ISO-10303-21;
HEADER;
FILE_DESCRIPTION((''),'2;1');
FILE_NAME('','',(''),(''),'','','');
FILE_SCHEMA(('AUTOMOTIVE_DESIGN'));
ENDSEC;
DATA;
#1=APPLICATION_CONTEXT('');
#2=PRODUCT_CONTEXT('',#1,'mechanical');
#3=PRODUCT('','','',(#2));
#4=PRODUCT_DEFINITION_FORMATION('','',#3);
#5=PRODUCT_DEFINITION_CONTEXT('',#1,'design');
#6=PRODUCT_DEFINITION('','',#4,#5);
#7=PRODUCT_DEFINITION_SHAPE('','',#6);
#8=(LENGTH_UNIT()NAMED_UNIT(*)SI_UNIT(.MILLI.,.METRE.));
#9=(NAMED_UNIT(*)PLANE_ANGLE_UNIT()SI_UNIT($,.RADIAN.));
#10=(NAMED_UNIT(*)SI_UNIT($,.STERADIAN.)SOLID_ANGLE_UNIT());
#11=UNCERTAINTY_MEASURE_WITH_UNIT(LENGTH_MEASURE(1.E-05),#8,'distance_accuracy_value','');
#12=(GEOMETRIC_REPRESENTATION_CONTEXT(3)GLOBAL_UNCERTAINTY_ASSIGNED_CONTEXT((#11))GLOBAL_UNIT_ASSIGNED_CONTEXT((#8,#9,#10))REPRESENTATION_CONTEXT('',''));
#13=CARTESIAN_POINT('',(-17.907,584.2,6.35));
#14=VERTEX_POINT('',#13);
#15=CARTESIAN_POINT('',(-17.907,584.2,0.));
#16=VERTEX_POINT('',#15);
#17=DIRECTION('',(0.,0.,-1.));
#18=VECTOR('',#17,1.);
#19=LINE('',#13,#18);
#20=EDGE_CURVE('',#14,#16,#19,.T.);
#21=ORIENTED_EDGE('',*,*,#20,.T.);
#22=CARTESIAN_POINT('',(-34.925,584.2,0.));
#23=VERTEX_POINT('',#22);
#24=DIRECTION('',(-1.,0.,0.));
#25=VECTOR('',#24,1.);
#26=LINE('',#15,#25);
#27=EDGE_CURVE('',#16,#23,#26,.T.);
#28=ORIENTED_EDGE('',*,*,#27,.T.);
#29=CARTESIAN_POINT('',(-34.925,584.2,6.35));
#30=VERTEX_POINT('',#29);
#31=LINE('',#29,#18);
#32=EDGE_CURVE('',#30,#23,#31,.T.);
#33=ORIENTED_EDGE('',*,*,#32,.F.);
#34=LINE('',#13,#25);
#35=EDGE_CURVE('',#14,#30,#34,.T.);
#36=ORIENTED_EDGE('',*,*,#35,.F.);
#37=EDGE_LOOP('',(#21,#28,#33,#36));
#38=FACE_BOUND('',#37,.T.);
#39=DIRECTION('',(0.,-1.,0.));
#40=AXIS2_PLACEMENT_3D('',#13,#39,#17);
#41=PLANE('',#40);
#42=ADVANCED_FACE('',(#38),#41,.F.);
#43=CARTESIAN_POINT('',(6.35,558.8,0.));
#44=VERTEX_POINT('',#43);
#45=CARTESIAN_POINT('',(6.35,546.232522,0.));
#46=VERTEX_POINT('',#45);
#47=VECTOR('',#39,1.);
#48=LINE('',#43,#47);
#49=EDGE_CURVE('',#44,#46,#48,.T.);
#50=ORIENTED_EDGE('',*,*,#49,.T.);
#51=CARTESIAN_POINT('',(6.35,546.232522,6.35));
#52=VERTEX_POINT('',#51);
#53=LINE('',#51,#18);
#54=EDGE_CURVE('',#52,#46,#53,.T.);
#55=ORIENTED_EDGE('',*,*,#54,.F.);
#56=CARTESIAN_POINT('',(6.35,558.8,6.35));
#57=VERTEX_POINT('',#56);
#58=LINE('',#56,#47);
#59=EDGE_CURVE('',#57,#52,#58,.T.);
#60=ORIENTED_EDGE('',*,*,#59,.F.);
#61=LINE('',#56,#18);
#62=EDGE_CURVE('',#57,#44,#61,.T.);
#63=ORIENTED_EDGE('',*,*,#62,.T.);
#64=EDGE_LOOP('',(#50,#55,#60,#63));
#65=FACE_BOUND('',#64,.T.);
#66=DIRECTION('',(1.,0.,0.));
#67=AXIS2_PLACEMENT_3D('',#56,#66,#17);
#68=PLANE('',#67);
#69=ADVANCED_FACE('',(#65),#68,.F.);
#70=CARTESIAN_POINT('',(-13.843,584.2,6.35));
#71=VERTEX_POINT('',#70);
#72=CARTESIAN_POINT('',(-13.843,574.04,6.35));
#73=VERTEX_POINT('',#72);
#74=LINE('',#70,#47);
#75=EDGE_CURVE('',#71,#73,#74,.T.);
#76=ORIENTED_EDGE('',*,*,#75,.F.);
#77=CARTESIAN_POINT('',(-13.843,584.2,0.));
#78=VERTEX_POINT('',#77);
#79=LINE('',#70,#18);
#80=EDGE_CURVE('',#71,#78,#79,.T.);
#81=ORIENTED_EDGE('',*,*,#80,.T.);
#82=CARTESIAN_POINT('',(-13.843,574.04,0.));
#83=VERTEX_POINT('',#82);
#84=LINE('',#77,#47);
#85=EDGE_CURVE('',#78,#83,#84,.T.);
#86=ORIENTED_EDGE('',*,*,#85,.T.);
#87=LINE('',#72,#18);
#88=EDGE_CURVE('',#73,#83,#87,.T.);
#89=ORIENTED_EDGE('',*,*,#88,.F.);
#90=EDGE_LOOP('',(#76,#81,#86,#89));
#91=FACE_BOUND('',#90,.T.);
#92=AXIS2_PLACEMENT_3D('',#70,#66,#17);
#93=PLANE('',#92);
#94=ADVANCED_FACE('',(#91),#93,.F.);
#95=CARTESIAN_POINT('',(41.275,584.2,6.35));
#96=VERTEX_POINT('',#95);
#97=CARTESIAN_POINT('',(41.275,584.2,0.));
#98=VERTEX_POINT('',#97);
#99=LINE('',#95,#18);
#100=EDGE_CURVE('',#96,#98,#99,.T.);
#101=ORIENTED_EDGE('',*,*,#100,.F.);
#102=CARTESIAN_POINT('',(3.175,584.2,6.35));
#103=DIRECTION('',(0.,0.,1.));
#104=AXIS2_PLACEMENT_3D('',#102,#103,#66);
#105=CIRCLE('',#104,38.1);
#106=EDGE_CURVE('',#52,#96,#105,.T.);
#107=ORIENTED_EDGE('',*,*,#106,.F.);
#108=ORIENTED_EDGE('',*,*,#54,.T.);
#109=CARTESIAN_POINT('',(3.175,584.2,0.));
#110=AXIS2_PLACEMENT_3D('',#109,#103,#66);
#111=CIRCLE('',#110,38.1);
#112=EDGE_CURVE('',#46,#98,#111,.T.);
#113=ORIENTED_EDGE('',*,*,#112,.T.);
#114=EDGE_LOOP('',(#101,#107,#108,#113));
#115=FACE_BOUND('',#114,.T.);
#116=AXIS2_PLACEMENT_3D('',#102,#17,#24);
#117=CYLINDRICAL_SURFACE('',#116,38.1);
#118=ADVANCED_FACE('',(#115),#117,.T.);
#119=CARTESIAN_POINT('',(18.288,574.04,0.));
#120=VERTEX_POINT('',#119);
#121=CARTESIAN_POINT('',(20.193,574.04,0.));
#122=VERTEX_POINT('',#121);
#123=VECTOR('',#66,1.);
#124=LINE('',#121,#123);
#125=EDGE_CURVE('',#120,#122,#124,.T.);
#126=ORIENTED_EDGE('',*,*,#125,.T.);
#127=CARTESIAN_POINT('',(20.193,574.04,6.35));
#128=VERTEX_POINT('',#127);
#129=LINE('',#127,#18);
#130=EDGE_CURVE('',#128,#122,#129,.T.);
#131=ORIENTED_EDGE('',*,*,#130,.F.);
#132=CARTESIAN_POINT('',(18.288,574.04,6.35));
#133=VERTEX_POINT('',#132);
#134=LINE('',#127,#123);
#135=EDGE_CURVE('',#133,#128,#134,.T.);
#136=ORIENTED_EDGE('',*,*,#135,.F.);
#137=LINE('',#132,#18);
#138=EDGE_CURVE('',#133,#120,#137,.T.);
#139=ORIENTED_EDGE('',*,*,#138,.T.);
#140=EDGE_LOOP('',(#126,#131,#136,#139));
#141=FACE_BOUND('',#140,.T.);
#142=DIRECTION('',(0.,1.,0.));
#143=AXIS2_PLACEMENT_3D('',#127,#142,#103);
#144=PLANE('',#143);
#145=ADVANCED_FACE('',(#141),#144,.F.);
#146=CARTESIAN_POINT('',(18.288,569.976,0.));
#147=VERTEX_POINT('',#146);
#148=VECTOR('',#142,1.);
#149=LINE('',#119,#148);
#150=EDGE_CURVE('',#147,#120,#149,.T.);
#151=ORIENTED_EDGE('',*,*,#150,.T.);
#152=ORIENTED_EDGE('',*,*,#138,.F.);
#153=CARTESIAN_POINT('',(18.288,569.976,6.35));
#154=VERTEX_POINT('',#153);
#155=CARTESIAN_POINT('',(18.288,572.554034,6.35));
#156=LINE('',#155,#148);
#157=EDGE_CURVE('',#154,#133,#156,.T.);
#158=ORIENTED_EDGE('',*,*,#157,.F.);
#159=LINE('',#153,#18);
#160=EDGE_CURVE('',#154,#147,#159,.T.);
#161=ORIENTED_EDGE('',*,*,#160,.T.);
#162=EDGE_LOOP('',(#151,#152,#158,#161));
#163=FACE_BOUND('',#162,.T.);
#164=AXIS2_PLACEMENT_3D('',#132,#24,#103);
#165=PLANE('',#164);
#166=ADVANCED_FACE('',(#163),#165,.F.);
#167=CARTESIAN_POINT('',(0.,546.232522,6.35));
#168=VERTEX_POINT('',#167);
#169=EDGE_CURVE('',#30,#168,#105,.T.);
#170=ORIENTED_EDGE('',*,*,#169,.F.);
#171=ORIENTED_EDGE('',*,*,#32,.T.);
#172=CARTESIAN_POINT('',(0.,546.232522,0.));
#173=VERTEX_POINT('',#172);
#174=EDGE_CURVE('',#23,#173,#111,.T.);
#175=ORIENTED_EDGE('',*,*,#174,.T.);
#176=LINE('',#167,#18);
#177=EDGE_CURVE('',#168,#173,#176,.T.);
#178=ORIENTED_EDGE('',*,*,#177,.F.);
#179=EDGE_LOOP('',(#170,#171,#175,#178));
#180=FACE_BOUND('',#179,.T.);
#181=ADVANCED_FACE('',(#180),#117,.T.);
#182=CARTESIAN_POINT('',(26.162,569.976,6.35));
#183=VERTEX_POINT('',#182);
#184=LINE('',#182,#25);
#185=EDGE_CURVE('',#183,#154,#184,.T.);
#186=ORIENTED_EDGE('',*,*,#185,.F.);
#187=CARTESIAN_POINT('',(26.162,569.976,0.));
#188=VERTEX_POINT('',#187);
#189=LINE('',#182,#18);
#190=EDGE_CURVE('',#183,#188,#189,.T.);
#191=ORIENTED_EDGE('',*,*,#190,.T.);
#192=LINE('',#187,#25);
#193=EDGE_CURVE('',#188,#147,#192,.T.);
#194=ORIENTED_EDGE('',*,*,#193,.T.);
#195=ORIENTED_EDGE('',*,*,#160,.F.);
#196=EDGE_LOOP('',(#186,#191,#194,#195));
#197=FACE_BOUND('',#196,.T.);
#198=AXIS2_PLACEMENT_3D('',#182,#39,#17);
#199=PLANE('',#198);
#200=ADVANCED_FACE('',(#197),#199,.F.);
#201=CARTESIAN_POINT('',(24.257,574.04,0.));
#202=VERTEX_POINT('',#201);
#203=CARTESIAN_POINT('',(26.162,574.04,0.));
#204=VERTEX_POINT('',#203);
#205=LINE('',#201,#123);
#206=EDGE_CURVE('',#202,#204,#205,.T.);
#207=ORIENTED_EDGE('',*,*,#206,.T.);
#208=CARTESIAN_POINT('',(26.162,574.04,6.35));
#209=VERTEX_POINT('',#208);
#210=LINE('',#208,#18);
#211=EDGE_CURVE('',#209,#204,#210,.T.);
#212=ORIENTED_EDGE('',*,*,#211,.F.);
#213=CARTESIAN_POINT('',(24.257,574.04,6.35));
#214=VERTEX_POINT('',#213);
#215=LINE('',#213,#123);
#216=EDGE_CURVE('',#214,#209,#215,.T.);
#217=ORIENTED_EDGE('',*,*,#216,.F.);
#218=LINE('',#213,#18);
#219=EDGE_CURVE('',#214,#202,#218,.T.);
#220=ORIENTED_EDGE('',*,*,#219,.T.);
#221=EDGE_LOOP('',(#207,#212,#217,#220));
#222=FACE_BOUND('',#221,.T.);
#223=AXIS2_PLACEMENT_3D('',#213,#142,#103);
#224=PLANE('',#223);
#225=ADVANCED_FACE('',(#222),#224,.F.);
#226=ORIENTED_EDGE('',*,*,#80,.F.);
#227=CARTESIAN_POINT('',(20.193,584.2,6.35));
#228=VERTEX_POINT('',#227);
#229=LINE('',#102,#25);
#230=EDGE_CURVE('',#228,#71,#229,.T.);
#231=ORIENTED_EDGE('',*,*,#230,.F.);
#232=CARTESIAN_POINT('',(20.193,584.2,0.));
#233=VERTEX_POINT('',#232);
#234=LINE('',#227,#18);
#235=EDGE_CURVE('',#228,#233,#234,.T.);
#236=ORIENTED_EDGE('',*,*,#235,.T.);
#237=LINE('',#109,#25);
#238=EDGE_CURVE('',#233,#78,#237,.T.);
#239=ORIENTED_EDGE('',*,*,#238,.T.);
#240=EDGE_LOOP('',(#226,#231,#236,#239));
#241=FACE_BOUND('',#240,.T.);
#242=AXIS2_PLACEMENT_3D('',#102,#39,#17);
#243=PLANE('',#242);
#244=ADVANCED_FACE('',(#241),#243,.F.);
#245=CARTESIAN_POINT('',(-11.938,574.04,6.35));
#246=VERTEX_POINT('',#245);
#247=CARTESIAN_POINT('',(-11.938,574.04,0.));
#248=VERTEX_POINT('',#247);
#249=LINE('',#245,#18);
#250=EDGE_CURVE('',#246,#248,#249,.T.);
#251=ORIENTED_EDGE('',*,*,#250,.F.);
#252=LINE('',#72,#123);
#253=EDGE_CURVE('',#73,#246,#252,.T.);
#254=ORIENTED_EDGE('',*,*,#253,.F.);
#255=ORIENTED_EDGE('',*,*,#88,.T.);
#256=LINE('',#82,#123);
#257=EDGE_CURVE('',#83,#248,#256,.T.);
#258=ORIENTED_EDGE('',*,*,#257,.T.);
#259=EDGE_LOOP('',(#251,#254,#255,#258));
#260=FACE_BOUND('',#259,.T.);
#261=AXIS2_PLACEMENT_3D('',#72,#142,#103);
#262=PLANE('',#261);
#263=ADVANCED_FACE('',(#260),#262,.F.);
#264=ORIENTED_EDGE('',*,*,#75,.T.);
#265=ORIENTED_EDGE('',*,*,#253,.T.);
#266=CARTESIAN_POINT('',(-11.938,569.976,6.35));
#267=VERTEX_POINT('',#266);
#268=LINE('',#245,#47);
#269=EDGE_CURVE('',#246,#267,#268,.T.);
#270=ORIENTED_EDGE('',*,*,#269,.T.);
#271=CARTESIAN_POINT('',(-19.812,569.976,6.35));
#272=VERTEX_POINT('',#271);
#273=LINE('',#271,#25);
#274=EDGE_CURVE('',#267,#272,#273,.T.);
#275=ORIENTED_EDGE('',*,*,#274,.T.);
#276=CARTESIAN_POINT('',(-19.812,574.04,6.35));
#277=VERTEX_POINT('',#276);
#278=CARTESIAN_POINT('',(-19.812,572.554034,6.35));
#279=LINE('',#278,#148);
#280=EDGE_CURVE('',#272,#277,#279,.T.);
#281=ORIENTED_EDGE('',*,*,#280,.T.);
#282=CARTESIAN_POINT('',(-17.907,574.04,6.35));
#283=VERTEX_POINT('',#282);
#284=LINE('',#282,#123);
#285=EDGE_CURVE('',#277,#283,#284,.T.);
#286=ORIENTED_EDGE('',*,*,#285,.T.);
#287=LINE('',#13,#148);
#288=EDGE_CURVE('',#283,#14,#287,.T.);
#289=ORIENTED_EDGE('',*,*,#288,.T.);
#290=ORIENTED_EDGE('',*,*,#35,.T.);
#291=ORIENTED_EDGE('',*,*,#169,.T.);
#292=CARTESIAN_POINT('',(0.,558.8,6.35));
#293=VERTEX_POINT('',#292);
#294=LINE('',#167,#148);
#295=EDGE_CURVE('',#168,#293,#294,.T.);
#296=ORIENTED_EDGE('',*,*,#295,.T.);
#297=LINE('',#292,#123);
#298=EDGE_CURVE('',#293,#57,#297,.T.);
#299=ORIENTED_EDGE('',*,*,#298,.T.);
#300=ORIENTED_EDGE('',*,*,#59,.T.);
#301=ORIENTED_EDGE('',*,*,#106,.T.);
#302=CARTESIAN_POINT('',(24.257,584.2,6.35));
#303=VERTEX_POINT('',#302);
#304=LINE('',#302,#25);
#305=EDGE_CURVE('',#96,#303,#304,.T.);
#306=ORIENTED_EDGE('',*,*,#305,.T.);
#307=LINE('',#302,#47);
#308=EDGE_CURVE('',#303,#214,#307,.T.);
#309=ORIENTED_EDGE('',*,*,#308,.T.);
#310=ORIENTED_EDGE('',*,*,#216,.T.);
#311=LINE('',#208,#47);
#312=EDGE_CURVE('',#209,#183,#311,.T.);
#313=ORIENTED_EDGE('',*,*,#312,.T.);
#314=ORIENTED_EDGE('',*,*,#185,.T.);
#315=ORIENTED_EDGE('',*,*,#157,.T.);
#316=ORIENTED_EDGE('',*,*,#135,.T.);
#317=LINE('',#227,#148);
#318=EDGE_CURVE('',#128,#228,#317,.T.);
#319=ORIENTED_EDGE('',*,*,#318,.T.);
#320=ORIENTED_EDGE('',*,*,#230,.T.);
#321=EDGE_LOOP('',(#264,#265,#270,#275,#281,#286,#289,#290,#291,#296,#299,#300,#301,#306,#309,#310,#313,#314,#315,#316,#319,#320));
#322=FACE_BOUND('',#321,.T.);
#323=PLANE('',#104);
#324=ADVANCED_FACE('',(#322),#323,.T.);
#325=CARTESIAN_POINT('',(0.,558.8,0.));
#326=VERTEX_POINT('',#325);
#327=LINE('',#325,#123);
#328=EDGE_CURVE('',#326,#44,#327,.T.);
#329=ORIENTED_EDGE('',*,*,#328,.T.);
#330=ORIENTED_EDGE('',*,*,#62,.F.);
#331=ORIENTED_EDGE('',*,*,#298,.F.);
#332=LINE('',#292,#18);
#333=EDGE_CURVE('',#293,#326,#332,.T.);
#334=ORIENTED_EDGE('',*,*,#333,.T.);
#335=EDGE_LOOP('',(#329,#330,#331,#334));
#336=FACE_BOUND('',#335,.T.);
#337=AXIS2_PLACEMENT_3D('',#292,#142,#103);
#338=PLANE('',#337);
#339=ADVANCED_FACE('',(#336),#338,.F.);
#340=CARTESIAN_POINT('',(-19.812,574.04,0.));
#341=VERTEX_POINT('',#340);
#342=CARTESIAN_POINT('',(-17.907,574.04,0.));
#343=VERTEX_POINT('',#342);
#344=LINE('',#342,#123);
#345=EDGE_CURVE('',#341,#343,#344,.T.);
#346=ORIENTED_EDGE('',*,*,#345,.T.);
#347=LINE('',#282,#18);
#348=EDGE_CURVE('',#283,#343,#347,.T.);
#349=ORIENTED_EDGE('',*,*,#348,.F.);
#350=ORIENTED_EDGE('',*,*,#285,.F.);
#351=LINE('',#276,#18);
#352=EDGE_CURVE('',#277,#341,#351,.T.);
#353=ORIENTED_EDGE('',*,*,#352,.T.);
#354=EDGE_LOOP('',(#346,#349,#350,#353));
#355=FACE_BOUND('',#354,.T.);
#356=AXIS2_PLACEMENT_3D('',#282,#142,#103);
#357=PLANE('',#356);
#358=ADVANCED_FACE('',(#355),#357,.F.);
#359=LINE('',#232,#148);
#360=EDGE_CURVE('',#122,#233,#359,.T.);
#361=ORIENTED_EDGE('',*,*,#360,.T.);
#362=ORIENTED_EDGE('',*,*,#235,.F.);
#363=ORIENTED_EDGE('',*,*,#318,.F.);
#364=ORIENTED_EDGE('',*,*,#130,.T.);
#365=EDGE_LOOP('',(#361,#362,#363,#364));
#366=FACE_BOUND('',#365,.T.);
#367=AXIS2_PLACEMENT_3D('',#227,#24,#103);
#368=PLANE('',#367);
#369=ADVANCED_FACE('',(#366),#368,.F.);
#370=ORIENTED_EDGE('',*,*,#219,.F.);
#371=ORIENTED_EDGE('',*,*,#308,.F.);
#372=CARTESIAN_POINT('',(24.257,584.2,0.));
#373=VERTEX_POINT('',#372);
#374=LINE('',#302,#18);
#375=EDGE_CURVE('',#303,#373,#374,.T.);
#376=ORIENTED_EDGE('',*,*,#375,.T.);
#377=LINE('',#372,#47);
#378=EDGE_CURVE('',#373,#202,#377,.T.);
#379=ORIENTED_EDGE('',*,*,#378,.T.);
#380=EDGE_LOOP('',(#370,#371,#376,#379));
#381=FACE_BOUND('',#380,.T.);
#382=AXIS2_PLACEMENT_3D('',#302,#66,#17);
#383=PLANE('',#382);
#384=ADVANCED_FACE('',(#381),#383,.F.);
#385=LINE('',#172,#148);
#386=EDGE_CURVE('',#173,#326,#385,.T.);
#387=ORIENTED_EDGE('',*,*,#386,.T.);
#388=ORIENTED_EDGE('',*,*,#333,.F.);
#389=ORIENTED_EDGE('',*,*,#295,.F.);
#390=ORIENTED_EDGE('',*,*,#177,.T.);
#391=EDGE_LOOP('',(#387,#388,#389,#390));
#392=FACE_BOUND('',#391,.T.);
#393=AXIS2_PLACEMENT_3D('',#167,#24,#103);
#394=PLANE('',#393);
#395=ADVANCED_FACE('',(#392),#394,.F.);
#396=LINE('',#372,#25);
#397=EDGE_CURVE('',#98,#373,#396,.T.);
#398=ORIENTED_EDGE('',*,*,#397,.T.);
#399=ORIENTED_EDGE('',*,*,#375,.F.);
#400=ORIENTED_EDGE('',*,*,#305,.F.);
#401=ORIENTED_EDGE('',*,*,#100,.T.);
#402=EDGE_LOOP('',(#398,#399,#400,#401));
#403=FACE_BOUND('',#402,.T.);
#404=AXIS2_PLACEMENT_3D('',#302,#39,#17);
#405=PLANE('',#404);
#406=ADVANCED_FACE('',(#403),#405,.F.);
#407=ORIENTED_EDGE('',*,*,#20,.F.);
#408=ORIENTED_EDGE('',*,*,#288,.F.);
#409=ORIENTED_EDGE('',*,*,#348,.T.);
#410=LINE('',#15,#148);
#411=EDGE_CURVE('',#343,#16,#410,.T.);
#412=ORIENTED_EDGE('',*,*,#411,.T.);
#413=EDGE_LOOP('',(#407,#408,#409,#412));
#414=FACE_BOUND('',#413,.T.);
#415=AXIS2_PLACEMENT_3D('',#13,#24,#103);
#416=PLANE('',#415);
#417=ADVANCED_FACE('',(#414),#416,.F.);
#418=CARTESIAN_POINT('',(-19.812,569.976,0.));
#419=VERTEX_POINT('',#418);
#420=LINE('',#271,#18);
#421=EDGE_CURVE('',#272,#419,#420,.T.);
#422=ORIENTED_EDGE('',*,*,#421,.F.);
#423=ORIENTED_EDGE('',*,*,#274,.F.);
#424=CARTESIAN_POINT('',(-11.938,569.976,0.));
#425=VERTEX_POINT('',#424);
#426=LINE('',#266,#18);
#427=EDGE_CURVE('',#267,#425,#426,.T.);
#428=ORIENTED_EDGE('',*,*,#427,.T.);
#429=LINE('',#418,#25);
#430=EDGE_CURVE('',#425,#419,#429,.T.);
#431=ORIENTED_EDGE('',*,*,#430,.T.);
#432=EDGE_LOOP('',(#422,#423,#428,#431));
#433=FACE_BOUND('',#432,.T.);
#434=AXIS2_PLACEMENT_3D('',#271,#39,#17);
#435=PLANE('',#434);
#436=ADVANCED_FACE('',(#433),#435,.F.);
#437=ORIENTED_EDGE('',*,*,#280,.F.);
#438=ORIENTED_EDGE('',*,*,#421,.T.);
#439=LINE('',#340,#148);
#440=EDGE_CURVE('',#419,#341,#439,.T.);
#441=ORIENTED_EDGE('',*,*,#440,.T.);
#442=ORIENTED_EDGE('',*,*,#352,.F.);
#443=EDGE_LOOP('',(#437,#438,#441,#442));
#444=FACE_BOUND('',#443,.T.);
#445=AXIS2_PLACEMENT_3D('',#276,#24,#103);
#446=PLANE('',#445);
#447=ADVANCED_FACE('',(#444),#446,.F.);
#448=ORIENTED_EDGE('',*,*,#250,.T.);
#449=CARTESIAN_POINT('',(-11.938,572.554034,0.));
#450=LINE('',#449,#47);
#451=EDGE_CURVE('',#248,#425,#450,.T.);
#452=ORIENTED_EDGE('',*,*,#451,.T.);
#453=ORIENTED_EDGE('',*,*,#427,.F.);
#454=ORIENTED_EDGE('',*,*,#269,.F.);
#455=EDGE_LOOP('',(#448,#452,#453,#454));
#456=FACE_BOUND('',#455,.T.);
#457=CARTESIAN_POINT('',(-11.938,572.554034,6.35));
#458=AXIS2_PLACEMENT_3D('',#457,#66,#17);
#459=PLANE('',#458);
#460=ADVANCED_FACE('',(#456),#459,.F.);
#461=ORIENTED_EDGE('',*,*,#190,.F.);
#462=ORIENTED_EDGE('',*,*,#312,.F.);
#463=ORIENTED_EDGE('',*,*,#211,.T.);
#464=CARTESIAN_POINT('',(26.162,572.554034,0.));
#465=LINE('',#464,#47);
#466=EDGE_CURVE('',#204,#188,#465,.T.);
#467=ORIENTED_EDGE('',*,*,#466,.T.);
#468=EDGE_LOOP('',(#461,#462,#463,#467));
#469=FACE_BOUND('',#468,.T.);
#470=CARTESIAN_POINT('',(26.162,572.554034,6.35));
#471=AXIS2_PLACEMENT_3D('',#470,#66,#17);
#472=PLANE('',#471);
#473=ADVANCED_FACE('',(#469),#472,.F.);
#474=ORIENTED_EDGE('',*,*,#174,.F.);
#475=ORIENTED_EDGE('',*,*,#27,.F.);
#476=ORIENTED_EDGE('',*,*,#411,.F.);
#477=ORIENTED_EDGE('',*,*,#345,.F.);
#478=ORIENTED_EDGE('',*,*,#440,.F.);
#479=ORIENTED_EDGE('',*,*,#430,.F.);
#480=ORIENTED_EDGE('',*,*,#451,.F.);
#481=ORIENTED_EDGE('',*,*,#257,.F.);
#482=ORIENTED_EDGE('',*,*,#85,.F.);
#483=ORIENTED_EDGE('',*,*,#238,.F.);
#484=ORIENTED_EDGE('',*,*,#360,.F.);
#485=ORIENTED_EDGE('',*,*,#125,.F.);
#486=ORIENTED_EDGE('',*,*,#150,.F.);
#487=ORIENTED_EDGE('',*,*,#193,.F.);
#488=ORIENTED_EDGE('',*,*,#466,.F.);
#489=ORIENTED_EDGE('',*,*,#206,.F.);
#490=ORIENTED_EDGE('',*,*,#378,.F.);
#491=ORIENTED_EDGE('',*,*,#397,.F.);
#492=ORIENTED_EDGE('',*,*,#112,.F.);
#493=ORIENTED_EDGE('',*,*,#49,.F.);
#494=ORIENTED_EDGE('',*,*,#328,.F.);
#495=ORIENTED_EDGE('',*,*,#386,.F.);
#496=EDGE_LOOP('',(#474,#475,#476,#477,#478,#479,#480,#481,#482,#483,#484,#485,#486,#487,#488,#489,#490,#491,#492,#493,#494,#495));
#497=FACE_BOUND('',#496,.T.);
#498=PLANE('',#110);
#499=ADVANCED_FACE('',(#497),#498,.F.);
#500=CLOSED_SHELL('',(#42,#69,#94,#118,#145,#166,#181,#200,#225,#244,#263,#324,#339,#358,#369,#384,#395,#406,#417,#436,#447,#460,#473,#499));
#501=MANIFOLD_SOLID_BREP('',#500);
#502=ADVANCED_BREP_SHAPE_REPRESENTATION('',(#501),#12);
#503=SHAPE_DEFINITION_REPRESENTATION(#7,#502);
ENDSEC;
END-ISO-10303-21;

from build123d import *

# Parameters (mm, degrees)
BOSS_EXTRUDE1_DEPTH = 6.35


with BuildPart() as part:
    # Sketch1 → Boss-Extrude1 (new body)
    with BuildSketch(Plane.XY):
        with BuildLine():
            Line((3.175, 584.2), (20.193, 584.2))
            Line((20.193, 584.2), (20.193, 574.04))
            Line((20.193, 574.04), (18.288, 574.04))
            Line((18.288, 574.04), (18.288, 572.554033861))
            Line((18.288, 572.554033861), (18.288, 569.976))
            Line((18.288, 569.976), (26.162, 569.976))
            Line((26.162, 569.976), (26.162, 572.554033861))
            Line((26.162, 572.554033861), (26.162, 574.04))
            Line((26.162, 574.04), (24.257, 574.04))
            Line((24.257, 574.04), (24.257, 584.2))
            Line((24.257, 584.2), (41.275, 584.2))
            ThreePointArc((41.275, 584.2), (31.215840751, 558.406178065), (6.35, 546.232522141))
            Line((6.35, 546.232522141), (6.35, 558.8))
            Line((6.35, 558.8), (0, 558.8))
            Line((0, 558.8), (0, 546.232522141))
            ThreePointArc((0, 546.232522141), (-24.865840751, 558.406178065), (-34.925, 584.2))
            Line((-34.925, 584.2), (-17.907, 584.2))
            Line((-17.907, 584.2), (-17.907, 574.04))
            Line((-17.907, 574.04), (-19.812, 574.04))
            Line((-19.812, 574.04), (-19.812, 572.554033861))
            Line((-19.812, 572.554033861), (-19.812, 569.976))
            Line((-19.812, 569.976), (-11.938, 569.976))
            Line((-11.938, 569.976), (-11.938, 572.554033861))
            Line((-11.938, 572.554033861), (-11.938, 574.04))
            Line((-11.938, 574.04), (-13.843, 574.04))
            Line((-13.843, 574.04), (-13.843, 584.2))
            Line((-13.843, 584.2), (3.175, 584.2))
        make_face()
    extrude(amount=BOSS_EXTRUDE1_DEPTH)


solid = part.part
